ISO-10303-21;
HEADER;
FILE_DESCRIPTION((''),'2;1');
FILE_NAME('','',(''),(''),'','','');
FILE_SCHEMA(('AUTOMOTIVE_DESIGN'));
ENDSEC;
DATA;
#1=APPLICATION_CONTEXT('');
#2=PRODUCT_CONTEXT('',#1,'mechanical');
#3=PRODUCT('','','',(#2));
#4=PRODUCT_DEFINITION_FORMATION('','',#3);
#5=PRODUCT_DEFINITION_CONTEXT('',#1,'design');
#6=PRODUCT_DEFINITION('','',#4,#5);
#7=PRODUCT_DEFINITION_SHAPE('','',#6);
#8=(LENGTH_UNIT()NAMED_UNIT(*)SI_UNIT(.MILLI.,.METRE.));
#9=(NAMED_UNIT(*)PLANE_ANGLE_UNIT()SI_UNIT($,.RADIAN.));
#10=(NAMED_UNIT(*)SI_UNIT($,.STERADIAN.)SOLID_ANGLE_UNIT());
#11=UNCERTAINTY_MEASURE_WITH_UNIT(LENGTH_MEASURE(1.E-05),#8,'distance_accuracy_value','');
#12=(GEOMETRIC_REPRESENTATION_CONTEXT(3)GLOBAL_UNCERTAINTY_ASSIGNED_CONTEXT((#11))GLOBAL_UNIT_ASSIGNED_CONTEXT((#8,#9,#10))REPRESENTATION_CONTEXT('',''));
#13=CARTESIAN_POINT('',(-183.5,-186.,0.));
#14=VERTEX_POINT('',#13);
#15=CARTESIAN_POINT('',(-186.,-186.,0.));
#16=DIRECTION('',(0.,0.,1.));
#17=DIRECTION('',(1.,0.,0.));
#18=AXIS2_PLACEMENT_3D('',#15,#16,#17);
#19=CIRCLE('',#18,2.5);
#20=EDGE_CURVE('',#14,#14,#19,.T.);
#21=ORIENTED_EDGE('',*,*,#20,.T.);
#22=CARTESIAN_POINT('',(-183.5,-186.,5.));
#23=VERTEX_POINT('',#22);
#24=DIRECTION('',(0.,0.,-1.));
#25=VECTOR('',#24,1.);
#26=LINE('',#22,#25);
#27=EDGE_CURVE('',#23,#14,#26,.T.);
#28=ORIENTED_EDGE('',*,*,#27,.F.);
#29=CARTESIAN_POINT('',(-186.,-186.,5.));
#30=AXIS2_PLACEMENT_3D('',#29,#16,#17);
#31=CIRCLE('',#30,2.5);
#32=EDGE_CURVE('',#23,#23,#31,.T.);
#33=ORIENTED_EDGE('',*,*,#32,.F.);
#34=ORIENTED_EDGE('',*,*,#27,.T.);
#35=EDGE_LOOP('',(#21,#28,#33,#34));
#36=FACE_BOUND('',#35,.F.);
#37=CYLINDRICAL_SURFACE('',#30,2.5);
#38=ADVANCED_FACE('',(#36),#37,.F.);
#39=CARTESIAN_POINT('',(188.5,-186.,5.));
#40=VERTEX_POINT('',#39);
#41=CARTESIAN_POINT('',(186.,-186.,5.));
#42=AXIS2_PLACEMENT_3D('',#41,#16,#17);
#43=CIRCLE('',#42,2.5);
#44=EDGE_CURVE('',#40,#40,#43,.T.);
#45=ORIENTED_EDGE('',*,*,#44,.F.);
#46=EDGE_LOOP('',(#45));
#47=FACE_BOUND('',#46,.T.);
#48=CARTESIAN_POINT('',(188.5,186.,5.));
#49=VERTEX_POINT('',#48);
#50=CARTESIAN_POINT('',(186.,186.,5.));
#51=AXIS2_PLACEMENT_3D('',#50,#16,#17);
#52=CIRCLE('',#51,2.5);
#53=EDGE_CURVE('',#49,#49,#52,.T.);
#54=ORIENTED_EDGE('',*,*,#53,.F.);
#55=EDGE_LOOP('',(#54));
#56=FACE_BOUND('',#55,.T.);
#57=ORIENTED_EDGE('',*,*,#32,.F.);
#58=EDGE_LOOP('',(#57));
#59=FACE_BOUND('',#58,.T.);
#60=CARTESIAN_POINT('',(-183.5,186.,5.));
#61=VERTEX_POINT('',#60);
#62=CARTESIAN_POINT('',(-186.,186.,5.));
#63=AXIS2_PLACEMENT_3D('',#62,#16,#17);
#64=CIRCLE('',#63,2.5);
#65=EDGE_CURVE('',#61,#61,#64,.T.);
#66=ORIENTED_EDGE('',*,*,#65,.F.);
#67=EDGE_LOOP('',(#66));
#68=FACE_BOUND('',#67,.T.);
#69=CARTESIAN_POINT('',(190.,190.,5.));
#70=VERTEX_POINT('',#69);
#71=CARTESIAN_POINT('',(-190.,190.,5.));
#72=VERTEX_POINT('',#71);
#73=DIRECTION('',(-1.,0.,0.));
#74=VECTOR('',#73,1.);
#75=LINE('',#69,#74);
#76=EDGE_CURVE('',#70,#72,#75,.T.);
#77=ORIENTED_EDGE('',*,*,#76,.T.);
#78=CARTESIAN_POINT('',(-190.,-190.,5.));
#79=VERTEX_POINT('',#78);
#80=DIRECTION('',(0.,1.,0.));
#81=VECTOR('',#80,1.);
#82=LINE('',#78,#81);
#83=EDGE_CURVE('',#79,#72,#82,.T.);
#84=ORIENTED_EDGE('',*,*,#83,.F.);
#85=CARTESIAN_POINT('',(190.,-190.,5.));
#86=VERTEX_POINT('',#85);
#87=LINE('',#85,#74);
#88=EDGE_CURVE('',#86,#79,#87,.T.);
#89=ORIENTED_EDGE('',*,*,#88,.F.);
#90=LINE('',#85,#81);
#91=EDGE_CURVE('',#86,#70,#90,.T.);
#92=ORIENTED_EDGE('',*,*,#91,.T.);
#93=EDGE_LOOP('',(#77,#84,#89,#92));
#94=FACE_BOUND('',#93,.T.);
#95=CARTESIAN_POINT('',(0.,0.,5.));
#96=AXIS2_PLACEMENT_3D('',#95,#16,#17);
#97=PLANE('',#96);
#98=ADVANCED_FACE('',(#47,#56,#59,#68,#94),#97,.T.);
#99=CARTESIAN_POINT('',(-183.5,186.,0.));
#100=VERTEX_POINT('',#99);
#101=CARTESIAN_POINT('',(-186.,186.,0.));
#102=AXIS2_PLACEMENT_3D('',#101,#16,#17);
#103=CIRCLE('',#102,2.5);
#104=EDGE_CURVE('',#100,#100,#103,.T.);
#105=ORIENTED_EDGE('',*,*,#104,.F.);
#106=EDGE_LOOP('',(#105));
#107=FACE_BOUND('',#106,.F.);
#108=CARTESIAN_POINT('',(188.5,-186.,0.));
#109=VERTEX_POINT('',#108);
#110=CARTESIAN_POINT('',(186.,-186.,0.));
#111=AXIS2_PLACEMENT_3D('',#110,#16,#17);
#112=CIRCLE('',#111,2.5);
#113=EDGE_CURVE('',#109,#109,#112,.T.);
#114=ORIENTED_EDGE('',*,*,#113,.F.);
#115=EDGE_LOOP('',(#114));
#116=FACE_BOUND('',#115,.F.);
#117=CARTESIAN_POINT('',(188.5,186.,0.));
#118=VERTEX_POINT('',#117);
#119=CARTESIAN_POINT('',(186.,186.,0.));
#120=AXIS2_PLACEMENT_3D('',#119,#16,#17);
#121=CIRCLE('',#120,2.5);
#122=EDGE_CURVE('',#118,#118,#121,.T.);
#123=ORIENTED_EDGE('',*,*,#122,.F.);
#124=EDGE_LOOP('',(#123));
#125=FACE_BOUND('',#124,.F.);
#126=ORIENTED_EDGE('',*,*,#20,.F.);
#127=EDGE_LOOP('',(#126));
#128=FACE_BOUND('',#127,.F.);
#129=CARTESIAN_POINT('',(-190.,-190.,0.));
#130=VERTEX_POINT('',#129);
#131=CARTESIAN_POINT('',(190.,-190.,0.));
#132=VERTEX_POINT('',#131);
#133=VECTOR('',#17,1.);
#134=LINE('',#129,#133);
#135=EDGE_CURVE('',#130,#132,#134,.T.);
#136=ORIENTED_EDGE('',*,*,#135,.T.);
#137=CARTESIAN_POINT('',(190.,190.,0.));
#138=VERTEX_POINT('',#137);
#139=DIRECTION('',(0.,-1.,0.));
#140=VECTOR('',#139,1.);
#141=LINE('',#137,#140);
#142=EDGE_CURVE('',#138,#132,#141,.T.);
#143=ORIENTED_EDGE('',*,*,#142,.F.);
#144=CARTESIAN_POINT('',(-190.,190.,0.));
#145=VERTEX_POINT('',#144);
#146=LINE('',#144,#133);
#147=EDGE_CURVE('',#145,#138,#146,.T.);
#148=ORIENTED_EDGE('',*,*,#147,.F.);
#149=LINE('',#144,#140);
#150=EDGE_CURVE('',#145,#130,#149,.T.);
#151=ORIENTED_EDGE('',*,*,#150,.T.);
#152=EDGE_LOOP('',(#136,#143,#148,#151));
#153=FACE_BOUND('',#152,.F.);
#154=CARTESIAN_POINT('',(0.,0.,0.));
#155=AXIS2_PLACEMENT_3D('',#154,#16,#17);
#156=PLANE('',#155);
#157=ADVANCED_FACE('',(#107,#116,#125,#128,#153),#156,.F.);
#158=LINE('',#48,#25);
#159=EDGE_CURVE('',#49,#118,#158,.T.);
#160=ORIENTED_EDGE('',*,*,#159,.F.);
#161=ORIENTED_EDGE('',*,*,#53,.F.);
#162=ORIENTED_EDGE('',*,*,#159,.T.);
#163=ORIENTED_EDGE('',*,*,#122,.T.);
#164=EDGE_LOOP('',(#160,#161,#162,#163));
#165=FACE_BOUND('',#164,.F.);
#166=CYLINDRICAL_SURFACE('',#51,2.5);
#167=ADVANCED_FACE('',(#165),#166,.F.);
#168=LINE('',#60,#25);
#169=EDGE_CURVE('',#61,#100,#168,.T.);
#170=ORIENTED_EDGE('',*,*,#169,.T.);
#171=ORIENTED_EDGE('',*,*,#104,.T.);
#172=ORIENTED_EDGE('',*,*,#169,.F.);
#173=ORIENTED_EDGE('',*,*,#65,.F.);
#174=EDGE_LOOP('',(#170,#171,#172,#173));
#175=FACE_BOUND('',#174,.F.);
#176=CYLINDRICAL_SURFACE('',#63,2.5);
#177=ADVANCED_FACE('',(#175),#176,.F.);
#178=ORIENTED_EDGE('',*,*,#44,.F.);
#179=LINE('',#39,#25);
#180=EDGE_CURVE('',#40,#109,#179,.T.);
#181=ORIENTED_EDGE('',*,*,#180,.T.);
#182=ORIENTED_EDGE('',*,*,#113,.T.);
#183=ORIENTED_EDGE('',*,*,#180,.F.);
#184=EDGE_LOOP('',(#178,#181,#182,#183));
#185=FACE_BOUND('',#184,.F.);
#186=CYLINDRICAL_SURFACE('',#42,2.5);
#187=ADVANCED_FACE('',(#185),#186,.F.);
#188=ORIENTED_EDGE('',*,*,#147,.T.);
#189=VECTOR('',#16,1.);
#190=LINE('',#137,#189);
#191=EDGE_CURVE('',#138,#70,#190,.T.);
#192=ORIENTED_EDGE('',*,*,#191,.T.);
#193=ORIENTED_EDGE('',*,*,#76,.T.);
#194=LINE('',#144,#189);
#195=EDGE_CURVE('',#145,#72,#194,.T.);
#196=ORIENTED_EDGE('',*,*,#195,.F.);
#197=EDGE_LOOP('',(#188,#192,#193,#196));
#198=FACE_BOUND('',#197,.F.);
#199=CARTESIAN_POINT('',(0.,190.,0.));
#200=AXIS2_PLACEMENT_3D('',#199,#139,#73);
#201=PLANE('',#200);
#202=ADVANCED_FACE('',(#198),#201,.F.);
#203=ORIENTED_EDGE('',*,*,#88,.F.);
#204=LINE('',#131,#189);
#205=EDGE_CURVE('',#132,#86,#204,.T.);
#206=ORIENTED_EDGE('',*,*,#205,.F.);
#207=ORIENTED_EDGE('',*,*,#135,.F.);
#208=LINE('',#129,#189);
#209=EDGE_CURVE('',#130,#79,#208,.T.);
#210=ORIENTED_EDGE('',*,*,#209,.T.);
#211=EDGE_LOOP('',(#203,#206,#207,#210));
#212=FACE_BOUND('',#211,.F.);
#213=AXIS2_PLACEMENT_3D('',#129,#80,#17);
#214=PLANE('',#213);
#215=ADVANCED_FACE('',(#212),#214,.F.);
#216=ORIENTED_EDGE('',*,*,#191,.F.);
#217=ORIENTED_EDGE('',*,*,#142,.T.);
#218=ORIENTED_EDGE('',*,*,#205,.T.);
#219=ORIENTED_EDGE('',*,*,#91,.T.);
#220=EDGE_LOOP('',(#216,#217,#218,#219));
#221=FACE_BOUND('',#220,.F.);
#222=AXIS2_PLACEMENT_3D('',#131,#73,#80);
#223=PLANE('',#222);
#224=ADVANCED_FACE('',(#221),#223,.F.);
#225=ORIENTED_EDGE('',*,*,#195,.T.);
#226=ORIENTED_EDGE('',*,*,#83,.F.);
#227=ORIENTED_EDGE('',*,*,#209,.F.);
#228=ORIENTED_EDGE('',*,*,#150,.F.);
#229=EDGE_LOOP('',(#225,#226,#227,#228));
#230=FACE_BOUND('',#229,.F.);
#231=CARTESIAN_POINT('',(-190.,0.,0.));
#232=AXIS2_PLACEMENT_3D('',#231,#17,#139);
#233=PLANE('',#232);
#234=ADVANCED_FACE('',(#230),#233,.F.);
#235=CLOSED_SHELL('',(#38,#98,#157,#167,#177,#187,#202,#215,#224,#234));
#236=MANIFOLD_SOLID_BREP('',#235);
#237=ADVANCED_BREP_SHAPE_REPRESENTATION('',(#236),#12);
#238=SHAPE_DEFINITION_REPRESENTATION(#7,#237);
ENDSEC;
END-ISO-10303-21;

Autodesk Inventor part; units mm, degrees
ref_plane "YZ Plane" through (0, 0, 0) normal (1, 0, 0) x (0, 1, 0)
ref_plane "XZ Plane" through (0, 0, 0) normal (0, 1, 0) x (-1, 0, 0)
ref_plane "XY Plane" through (0, 0, 0) normal (0, 0, 1) x (1, 0, 0)
sketch "Skizze1" plane through (0, 0, 0) normal (0, 0, 1) x (1, 0, 0)
  line L0 (0, -266) -> (0, 266) projected
  line L1 (-266, 0) -> (266, 0) projected
  line L2 (-190, -190) -> (190, -190)
  line L3 (190, -190) -> (190, 190)
  line L4 (190, 190) -> (-190, 190)
  line L5 (-190, 190) -> (-190, -190)
  line L6 (-190, -190) -> (190, 190) construction
  line L7 (190, -190) -> (-190, 190) construction
  point P0 (0, 0)
  dimension "d0" = 380
  dimension "d1" = 380
extrude "Extrusion1" add sketch "Skizze1" along normal blind 5
sketch "Skizze2" plane through (0, 0, 5) normal (0, 0, 1) x (1, 0, 0)
  line L0 (-190, -190) -> (190, -190) projected
  line L1 (190, -190) -> (190, 190) projected
  line L2 (190, 190) -> (-190, 190) projected
  line L3 (-190, 190) -> (-190, -190) projected
  circle A0 centre (-186, 186) radius 2.5
  line L4 (0, -280) -> (0, 280) projected
  line L5 (-280, 0) -> (280, 0) projected
  circle A1 centre (186, 186) radius 2.5
  circle A2 centre (-186, -186) radius 2.5
  circle A3 centre (186, -186) radius 2.5
  point P0 (0, 0)
  dimension "d4" = 5
  dimension "d5" = 4
  dimension "d6" = 4
extrude "Extrusion2" cut sketch "Skizze2" against normal blind 5 contours A0 | A1 | A2 | A3
properties part number "Aluplatte_5mm" material "Aluminium 6061"
